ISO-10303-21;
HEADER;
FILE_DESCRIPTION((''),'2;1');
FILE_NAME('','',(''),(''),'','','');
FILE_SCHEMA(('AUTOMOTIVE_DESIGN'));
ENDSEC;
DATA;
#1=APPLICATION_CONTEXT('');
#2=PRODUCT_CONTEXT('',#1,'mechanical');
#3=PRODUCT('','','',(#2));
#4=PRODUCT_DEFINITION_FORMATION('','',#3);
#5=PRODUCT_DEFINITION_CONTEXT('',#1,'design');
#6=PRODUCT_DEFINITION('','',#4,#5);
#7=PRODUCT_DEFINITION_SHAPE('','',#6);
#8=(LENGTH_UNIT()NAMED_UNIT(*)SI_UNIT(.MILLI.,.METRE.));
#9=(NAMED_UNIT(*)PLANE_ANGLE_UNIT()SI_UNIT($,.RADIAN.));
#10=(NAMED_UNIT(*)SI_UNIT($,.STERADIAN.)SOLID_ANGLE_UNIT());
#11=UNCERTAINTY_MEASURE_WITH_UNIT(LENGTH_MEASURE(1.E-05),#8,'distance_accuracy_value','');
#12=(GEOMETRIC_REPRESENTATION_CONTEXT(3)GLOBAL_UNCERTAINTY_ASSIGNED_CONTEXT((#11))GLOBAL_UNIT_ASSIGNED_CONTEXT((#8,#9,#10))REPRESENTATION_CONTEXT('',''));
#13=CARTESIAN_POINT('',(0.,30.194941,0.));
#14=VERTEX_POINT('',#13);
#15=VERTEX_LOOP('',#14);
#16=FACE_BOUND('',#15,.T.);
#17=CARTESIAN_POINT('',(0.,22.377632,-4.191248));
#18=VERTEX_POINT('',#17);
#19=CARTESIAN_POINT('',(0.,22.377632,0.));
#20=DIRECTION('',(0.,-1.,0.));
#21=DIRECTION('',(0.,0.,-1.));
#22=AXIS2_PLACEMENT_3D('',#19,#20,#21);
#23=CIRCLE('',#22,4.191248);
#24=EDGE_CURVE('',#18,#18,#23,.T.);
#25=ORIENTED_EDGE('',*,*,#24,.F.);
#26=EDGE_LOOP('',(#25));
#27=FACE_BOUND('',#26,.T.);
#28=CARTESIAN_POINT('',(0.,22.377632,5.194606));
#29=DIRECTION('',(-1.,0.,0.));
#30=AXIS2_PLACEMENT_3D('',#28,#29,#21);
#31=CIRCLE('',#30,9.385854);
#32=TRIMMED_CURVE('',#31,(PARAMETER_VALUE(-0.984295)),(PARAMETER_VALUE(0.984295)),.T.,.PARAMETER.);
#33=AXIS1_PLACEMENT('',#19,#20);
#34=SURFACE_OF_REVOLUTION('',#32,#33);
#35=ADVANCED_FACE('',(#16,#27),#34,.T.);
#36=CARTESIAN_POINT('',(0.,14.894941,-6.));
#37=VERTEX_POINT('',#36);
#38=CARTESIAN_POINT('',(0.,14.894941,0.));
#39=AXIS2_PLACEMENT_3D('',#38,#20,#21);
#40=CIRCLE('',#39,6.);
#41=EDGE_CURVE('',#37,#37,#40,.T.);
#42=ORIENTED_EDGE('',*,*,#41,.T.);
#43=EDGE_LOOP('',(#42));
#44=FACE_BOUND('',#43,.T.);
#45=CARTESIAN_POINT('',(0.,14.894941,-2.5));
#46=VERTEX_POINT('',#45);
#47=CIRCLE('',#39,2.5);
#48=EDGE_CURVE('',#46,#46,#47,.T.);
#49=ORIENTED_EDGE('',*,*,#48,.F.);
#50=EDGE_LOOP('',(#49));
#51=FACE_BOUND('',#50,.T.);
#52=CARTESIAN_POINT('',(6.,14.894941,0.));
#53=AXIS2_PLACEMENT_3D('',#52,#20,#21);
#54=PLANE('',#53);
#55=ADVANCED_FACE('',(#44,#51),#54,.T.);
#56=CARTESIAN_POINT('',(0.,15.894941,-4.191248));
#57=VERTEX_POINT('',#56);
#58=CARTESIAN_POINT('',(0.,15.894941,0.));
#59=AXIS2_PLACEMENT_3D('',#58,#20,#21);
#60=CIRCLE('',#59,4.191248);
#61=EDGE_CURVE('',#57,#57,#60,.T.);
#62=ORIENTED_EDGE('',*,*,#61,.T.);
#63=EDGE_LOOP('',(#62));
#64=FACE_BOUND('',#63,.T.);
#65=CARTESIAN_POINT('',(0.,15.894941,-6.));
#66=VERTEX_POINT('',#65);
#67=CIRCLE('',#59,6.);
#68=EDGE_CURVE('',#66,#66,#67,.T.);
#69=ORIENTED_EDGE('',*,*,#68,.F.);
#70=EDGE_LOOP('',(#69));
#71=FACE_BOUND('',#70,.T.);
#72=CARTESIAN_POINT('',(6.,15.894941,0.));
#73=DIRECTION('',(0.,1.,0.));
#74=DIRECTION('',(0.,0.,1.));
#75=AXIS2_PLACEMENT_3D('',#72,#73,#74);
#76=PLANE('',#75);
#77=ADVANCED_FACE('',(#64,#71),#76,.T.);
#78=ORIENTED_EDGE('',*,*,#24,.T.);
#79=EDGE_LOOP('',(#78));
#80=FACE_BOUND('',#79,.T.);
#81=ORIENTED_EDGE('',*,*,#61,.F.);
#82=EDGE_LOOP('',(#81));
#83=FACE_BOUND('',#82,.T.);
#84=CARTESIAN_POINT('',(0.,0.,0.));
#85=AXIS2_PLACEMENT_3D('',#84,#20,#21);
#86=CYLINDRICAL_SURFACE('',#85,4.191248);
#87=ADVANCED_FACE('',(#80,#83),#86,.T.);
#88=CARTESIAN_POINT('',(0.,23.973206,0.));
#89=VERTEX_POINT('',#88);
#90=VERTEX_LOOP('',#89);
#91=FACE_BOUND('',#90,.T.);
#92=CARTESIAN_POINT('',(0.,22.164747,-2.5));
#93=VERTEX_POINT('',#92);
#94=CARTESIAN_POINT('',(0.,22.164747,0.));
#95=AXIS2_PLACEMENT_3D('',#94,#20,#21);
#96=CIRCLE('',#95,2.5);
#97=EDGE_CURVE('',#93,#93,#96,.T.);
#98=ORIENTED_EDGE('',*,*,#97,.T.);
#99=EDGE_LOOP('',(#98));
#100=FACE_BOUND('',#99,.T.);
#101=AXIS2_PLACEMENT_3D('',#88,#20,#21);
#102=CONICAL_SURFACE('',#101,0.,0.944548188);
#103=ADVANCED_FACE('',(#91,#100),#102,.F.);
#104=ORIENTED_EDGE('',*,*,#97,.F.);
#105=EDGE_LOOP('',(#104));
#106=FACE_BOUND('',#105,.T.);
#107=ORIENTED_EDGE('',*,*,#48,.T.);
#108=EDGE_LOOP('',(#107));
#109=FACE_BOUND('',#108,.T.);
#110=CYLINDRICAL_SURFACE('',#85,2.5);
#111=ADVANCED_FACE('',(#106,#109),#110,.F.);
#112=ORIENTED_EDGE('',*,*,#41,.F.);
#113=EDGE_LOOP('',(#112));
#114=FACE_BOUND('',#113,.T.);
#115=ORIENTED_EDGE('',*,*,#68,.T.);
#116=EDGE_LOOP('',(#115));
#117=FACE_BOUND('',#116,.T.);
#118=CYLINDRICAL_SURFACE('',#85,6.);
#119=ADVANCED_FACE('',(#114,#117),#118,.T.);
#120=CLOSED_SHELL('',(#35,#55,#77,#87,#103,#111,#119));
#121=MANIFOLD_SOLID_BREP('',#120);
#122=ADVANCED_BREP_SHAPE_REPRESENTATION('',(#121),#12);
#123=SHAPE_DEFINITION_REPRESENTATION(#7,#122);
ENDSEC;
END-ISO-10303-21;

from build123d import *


with BuildPart() as part:
    # Sketch1 → Revolve1 (revolve)
    with BuildSketch(Plane.XY, mode=Mode.PRIVATE) as revolve1_sk:
        with BuildLine():
            Line((6, 14.894940841), (6, 15.894940841))
            Line((6, 15.894940841), (4.191247689, 15.894940841))
            Line((4.191247689, 15.894940841), (4.191247689, 22.377632021))
            ThreePointArc((4.191247689, 22.377632021), (3.077336376, 26.812631299), (0, 30.194940841))
            Line((0, 30.194940841), (0, 23.973206496))
            Line((0, 23.973206496), (2.5, 22.164746505))
            Line((2.5, 22.164746505), (2.5, 14.894940841))
            Line((2.5, 14.894940841), (6, 14.894940841))
        make_face()
    revolve(revolve1_sk.sketch.rotate(Axis((0, 0, 0), (0, 1, 0)), 90), axis=Axis((0, 0, 0), (0, 1, 0)))


solid = part.part
